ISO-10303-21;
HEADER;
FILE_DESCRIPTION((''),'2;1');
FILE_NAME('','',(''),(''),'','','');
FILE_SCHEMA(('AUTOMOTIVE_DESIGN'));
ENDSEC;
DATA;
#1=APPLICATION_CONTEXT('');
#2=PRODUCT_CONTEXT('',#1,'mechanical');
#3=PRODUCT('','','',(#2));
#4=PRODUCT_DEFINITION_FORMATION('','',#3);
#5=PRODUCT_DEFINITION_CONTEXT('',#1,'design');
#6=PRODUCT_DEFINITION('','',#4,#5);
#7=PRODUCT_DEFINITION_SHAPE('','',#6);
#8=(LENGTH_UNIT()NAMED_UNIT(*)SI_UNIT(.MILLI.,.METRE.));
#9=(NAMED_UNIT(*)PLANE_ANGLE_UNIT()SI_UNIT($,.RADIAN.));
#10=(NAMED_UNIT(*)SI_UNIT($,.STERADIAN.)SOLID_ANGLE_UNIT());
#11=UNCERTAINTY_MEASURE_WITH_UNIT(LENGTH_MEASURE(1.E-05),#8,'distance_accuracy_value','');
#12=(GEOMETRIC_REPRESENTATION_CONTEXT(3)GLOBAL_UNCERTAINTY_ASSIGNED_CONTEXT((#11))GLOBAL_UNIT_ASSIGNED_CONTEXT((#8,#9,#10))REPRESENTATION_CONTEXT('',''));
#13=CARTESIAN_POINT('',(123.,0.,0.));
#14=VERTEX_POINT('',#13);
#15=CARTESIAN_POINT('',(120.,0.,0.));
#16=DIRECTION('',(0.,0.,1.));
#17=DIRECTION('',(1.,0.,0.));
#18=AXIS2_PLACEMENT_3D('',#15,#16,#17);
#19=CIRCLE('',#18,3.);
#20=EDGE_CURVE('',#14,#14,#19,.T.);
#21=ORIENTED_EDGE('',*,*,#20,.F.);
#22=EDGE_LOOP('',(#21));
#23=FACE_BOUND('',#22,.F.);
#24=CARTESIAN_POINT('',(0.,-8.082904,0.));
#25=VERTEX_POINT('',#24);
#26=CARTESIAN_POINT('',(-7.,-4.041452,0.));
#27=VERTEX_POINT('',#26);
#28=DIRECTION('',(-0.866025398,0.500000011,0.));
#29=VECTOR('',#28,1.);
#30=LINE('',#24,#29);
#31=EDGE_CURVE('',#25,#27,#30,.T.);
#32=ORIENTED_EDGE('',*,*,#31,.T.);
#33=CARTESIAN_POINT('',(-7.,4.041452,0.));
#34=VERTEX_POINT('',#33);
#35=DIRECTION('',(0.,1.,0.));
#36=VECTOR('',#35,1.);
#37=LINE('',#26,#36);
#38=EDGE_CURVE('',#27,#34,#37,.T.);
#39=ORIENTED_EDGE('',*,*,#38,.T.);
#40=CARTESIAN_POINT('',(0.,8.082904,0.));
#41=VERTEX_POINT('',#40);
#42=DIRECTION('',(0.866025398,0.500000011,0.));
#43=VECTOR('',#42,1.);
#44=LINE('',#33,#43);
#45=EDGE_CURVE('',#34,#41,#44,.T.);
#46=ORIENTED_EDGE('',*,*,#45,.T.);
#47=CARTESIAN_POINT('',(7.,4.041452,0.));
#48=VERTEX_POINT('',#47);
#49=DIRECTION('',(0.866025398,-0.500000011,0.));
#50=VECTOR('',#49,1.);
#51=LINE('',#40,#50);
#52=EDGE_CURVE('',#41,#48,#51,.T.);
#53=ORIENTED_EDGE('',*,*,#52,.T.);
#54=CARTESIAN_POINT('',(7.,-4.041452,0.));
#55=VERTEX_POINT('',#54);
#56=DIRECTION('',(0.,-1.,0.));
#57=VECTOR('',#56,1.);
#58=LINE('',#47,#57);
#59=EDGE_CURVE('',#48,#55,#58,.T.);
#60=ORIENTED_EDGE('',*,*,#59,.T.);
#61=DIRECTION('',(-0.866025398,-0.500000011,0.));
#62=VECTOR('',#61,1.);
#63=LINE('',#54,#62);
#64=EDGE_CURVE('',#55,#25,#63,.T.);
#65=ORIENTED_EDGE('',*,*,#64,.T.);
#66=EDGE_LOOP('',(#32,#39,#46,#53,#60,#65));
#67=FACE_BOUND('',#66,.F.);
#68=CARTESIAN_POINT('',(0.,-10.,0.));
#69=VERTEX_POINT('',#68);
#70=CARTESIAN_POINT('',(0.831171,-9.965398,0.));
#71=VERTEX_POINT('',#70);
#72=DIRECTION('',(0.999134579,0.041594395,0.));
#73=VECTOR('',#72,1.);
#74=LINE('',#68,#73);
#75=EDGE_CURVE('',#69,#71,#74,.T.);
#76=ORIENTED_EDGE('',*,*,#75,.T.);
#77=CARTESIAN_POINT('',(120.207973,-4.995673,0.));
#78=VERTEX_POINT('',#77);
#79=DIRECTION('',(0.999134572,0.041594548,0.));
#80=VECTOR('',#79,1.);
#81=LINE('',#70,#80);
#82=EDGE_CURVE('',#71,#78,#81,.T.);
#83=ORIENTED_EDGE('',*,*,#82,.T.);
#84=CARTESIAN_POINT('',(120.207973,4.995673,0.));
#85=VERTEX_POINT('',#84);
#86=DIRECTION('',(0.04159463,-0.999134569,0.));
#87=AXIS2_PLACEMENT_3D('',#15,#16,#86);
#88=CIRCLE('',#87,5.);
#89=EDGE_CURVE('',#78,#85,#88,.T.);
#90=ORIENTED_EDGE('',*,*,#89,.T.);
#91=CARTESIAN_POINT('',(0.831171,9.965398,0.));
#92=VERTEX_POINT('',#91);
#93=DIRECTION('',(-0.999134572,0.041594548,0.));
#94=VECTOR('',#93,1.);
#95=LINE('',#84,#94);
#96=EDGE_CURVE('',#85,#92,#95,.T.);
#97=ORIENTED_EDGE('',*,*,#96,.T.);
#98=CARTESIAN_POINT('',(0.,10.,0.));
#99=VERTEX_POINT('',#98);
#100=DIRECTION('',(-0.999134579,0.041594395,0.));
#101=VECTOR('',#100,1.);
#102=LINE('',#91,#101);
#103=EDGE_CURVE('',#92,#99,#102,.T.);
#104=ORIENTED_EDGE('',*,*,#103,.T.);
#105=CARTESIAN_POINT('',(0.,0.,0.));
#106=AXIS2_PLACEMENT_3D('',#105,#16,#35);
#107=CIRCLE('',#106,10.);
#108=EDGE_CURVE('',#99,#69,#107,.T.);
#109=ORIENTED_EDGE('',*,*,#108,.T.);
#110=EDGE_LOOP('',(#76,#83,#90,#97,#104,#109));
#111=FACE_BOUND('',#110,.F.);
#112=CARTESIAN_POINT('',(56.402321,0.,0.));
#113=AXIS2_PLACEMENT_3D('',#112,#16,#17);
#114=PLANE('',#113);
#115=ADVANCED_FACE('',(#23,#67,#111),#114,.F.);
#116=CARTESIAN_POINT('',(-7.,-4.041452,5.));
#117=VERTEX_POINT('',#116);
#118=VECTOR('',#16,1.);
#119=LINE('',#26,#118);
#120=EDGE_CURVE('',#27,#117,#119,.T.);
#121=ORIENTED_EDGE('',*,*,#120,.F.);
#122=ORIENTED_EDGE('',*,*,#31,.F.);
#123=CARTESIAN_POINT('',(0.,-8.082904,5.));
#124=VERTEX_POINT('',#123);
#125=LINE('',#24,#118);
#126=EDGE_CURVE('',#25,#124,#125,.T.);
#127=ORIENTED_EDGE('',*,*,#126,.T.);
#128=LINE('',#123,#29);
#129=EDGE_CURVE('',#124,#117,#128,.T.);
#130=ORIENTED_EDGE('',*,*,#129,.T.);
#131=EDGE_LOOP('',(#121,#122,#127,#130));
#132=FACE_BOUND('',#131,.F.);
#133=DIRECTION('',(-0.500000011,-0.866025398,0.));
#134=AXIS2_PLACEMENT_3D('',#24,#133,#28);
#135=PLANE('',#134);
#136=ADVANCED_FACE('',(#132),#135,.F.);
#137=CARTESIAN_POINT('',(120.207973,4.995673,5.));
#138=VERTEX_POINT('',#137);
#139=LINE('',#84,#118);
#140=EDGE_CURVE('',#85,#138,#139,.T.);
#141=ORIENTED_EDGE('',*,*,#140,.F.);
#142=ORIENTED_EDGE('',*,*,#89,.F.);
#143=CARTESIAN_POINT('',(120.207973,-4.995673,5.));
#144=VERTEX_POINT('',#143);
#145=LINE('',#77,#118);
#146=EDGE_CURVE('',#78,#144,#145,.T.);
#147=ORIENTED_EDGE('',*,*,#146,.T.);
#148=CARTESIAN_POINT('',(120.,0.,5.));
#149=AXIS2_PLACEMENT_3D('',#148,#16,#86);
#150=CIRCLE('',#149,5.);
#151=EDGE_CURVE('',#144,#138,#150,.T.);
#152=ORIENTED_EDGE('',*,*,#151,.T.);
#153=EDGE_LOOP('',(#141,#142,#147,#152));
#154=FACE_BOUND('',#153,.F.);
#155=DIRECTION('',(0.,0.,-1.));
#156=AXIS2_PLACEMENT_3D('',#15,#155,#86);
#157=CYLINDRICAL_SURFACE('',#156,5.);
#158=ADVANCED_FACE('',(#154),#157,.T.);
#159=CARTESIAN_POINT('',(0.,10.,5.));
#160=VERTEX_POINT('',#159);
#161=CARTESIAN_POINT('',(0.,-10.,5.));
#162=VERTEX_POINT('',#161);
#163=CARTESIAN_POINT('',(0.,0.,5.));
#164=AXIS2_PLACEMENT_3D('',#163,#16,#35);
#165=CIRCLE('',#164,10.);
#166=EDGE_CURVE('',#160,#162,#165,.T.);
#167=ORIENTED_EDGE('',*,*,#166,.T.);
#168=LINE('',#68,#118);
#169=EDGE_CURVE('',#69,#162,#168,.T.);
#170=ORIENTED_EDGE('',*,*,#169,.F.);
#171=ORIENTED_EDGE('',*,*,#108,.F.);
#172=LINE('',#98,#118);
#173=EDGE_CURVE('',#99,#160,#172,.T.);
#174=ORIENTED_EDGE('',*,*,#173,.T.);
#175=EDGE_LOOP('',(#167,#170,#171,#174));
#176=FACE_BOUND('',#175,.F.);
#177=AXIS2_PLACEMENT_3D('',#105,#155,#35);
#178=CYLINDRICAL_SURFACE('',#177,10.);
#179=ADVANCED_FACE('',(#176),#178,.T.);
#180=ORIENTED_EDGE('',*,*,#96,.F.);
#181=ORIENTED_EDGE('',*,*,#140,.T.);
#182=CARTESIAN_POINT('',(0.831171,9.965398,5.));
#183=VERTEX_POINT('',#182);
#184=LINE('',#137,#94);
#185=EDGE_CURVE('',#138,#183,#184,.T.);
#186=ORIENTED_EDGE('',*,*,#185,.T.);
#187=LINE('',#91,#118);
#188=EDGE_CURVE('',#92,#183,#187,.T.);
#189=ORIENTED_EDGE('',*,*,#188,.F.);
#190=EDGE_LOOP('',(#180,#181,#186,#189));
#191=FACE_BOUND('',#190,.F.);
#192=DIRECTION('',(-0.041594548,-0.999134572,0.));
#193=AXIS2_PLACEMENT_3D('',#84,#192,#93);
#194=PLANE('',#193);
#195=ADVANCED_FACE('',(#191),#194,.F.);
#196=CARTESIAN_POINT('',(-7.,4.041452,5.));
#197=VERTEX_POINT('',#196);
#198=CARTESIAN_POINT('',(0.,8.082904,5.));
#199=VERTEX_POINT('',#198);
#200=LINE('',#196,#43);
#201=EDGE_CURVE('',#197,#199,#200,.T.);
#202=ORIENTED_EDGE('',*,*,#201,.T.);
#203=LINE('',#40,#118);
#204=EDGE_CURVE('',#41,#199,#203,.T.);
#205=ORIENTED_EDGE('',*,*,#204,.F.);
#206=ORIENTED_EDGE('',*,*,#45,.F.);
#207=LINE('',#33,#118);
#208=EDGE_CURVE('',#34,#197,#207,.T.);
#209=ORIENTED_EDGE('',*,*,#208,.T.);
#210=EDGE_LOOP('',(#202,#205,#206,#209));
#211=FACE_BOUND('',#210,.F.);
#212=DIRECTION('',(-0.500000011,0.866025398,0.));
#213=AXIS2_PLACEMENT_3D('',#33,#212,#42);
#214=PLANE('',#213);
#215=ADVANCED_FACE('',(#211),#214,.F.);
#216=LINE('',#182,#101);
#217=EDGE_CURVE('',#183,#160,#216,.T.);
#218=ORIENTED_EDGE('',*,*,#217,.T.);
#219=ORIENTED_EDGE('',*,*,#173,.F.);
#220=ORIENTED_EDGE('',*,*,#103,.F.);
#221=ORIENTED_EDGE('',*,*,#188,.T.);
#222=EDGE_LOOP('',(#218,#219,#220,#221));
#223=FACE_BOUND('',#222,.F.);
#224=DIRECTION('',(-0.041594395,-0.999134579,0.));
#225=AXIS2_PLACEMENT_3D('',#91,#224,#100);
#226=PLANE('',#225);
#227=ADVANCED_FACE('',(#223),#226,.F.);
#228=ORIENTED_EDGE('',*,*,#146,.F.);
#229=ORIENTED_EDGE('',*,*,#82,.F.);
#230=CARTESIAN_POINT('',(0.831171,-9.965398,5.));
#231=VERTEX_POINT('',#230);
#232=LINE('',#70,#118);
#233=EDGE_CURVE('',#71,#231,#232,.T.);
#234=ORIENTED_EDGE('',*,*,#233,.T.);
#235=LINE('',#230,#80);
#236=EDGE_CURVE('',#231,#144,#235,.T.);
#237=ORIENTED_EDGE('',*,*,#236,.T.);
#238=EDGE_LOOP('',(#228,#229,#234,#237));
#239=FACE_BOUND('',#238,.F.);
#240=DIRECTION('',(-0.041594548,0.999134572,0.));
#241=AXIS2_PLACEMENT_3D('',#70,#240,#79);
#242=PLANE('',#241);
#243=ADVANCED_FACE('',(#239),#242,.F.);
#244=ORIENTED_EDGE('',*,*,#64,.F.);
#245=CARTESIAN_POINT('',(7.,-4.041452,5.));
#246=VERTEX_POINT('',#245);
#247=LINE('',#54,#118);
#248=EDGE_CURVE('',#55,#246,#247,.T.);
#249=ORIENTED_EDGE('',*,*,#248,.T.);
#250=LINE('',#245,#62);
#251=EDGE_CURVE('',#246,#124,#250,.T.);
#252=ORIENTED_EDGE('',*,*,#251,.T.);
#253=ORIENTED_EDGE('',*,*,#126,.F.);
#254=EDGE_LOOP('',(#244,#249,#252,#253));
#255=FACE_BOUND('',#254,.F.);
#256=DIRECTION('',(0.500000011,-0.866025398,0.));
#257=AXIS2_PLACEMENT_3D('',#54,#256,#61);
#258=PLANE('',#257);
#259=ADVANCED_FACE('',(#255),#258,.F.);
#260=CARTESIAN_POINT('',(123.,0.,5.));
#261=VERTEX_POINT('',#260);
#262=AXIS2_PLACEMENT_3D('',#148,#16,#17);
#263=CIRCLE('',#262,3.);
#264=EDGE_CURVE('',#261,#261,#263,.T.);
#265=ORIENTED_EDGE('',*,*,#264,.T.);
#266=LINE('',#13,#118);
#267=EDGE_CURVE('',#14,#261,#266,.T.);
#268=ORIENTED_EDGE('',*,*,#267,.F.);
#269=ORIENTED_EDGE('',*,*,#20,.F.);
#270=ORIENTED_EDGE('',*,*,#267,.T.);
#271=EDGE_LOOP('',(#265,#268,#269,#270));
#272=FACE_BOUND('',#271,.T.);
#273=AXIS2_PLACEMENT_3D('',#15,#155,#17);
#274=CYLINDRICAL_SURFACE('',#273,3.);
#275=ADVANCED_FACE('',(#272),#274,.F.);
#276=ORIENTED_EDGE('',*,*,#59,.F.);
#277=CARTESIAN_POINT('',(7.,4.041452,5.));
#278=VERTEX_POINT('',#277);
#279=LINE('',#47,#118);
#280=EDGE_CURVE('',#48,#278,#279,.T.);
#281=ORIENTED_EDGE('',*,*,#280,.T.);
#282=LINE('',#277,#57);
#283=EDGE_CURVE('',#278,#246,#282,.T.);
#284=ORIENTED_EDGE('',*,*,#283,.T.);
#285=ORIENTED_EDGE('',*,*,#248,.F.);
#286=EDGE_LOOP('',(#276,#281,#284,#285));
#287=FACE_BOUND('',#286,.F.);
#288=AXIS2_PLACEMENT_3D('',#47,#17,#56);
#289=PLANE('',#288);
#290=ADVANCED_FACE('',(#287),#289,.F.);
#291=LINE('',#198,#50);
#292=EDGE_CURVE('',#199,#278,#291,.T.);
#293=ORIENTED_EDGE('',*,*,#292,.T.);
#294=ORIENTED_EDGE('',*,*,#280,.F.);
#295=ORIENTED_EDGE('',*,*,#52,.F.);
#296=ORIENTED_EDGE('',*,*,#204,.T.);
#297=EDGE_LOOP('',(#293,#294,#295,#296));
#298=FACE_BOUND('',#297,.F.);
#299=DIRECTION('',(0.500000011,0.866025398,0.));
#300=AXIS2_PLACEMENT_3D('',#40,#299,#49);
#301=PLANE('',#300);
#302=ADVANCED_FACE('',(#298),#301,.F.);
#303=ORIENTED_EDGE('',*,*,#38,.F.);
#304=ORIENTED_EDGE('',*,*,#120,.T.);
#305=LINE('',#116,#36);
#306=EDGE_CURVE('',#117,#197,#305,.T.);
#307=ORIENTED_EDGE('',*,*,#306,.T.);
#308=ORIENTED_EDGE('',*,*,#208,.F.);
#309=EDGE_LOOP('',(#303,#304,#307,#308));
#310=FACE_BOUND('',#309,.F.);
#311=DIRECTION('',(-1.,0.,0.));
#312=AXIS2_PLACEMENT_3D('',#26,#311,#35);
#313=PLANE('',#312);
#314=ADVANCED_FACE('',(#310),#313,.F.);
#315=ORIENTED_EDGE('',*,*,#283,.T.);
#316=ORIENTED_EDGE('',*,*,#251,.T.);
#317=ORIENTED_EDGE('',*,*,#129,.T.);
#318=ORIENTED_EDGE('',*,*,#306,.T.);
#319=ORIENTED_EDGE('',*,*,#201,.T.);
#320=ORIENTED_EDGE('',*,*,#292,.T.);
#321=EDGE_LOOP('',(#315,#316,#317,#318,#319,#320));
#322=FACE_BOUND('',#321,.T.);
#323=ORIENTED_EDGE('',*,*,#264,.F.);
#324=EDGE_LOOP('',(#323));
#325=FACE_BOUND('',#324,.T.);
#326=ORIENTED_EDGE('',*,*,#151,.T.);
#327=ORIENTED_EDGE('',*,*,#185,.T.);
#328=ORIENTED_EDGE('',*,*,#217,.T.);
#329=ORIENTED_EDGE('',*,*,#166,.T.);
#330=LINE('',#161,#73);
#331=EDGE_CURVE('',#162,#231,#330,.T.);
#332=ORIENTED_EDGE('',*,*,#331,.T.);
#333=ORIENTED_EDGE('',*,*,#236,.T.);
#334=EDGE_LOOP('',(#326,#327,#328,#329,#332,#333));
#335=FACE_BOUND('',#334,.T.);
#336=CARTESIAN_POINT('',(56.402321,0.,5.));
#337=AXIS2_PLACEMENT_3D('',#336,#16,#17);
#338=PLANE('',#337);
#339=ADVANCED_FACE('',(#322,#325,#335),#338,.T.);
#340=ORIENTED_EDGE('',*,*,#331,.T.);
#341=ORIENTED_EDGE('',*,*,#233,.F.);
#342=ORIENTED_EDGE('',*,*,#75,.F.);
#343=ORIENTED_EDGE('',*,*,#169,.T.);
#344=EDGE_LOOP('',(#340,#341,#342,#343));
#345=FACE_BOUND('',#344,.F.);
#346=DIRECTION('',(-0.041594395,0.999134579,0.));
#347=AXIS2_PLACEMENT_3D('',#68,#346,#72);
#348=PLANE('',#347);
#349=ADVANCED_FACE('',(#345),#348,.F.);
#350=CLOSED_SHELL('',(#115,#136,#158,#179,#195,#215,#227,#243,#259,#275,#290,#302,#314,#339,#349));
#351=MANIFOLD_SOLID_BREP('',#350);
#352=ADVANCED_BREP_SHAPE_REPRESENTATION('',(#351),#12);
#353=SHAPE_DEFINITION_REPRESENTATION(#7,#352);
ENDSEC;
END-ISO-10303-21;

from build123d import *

# Parameters (mm, degrees)
F0_R     = 3
F1_DEPTH = 5


with BuildPart() as f1:
    # F0 (on Top) → F1 (new body)
    with BuildSketch(Plane.XY):
        with BuildLine():
            Line((120.207973, 4.995673), (0.831171, 9.965398))
            Line((0.831171, 9.965398), (0, 10))
            ThreePointArc((0, 10), (-10, 0), (0, -10))
            Line((0, -10), (0.831171, -9.965398))
            Line((0.831171, -9.965398), (120.207973, -4.995673))
            ThreePointArc((120.207973, -4.995673), (125, 0), (120.207973, 4.995673))
        make_face()
        Polygon((0, 8.082904), (7, 4.041452), (7, -4.041452), (0, -8.082904), (-7, -4.041452), (-7, 4.041452), align=None, mode=Mode.SUBTRACT)
        with Locations((120, 0)):
            Circle(F0_R, mode=Mode.SUBTRACT)
    extrude(amount=F1_DEPTH)


solid = f1.part
